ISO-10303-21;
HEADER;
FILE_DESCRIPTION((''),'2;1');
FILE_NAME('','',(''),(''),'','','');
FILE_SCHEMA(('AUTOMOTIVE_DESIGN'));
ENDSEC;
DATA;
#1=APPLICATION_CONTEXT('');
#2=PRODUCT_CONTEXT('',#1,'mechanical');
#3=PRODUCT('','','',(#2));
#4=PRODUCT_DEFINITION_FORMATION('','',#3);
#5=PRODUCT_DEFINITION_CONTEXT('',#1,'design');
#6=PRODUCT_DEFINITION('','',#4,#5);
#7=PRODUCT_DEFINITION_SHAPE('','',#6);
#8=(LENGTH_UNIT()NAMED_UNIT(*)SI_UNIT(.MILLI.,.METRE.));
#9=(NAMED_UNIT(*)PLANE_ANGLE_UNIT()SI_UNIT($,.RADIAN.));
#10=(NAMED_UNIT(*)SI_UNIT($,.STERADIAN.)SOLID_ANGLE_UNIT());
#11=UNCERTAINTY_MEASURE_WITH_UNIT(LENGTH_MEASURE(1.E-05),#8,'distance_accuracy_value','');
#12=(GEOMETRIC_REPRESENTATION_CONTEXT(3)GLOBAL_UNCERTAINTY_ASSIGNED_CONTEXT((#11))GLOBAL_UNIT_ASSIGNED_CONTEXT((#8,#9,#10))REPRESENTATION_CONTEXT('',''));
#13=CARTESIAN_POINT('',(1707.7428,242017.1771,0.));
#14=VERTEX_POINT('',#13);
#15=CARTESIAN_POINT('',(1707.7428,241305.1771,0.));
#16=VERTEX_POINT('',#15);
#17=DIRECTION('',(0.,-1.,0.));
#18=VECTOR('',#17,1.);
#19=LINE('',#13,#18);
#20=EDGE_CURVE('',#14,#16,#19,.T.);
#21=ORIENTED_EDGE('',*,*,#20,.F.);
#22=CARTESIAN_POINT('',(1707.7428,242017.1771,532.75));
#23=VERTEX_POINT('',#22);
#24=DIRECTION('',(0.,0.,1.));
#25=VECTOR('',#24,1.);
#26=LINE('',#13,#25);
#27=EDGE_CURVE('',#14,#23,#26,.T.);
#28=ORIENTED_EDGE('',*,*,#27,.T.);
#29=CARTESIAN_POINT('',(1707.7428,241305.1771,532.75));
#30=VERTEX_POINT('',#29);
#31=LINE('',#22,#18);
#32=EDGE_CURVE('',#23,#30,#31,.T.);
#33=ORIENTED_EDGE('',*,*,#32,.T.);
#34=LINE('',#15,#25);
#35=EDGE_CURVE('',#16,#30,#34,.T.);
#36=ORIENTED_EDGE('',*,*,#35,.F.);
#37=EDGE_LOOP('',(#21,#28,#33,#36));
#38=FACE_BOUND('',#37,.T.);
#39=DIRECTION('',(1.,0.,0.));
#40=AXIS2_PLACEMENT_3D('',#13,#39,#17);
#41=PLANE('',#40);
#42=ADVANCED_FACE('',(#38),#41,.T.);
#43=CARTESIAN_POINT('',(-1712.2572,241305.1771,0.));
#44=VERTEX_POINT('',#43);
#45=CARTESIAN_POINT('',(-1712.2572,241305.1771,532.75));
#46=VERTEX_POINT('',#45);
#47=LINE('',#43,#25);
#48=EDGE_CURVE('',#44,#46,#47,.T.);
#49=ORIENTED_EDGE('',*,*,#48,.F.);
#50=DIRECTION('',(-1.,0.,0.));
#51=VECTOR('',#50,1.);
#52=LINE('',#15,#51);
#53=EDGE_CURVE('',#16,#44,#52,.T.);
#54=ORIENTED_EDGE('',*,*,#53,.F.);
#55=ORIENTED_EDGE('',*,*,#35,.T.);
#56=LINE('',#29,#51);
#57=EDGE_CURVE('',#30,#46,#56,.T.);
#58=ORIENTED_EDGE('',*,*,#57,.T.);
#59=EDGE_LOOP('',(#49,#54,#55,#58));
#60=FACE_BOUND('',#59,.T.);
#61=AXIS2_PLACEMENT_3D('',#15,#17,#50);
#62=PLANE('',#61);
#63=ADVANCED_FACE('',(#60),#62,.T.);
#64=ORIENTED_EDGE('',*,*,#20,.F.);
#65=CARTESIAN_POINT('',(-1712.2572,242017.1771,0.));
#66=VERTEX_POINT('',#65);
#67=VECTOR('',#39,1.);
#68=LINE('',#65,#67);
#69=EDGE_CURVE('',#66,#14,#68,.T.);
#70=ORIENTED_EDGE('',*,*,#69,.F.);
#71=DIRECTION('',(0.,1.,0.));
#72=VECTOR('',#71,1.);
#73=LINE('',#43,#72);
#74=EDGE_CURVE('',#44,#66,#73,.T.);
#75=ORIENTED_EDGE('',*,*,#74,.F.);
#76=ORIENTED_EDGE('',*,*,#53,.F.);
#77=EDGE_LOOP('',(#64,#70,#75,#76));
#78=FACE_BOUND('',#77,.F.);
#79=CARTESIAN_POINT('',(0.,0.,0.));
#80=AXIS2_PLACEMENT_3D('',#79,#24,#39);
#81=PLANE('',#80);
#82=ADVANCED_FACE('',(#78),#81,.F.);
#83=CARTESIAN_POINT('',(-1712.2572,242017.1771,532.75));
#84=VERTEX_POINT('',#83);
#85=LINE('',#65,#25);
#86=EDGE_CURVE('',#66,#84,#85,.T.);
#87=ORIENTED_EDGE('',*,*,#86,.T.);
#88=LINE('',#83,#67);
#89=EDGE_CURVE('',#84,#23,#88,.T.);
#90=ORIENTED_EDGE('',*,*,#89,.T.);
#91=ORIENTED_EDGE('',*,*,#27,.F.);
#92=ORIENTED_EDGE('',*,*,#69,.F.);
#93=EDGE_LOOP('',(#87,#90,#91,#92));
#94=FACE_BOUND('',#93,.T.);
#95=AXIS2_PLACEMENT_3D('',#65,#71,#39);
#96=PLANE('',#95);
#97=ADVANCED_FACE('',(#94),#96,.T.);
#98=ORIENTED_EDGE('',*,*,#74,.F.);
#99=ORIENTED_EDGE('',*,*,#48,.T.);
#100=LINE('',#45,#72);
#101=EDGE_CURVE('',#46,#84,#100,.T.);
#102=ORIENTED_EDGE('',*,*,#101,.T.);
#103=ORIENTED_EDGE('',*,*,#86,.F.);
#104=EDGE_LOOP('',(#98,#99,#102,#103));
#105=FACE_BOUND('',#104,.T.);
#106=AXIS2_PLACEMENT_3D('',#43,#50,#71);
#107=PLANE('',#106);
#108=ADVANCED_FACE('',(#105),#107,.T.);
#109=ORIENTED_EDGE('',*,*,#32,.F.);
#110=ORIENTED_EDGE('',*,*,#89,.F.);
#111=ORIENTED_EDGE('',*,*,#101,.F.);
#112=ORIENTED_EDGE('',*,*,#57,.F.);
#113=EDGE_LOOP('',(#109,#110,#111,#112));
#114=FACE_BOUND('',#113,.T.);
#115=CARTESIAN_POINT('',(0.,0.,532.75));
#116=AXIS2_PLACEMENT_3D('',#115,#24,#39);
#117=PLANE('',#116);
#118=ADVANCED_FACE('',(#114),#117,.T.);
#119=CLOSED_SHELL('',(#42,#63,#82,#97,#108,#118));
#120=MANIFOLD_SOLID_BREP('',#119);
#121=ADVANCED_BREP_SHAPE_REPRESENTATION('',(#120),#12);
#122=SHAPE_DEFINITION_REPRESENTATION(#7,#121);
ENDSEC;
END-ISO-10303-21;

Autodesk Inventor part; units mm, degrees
ref_plane "Floor" through (0, 0, -1384.3) normal (0, 0, 1) x (1, 0, 0)
sketch "particles" plane through (0, 0, 0) normal (0, 0, 1) x (1, 0, 0)
  arc A0 (-19524.2026, 243365.6807) -> (-22776.2272, 242937.5935) centre (-9680.7789, 156022.4486) ccw
  arc A1 (-13807.3819, 243864.0227) -> (-16978.0813, 243652.624) centre (-13078.9412, 209054.5507) ccw
  arc A2 (11921.2114, 243903.412) -> (8969.1508, 243934.4) centre (8969.1508, 103305.42) ccw
  line L0 (-24861.8891, 242623.3482) -> (-22776.2272, 242937.5935)
  line L1 (-19524.2026, 243365.6807) -> (-16978.0813, 243652.624)
  arc A3 (16976.4822, 243652.7081) -> (13811.1004, 243863.731) centre (13080.2257, 209054.3101) ccw
  arc A4 (22786.6231, 242936.1085) -> (19515.9616, 243366.7278) centre (9679.8175, 156022.6756) ccw
  line L2 (16976.4822, 243652.7081) -> (19515.9616, 243366.7278)
  line L3 (15393.79, 243758.2) -> (15396.196, 243794.2906) construction
  line L4 (-15392.73, 243758.3) -> (-15395.1446, 243794.5157) construction
  line L5 (-21152.212, 243166.8082) -> (-21150.21, 243151.6) construction
  arc A5 (-8973.0365, 243934.4) -> (-11915.2657, 243903.6181) centre (-8973.0365, 103305.42) ccw
  line L6 (-11915.2657, 243903.6181) -> (-13807.3819, 243864.0227)
  line L7 (-8973.0365, 243934.4) -> (8969.1508, 243934.4)
  line L8 (22786.6231, 242936.1085) -> (24870.238, 242621.8932)
  line L9 (11921.2114, 243903.412) -> (13811.1004, 243863.731)
  line L10 (10445.2624, 243926.6528) -> (10445.18, 243918.8) construction
  line L11 (-10444.2316, 243926.7043) -> (-10444.15, 243918.9) construction
  line L12 (21153.3128, 243166.7637) -> (21151.29, 243151.4) construction
  line L13 (31299.4576, 241280.1593) -> (35040.3137, 240277.7766)
  arc A6 (31299.4576, 241280.1593) -> (24870.238, 242621.8932) centre (16131.5115, 184673.9281) ccw
  arc A7 (-24861.8891, 242623.3482) -> (-31301.0844, 241279.8288) centre (-16130.7349, 184674.2417) ccw
  line L14 (-39021.3143, 239211.1683) -> (-35039.2345, 240278.1795) construction
  line L15 (-28081.51, 241951.7) -> (-28100.3519, 242042.005) construction
  line L16 (28082.61, 241951.4) -> (28101.4362, 242041.6272) construction
  arc A8 (-39021.3143, 239211.1683) -> (-45263.6703, 237157.0456) centre (-23853.4838, 182604.9061) ccw construction
  line L17 (-42142.49, 238184.1) -> (-42171.3081, 238271.6764) construction
  line L18 (-45263.6703, 237157.0456) -> (-53973.0439, 233738.8604) construction
  arc A9 (45264.6776, 237156.6444) -> (39022.3653, 239210.7644) centre (23854.4192, 182604.5331) ccw construction
  line L19 (42172.337, 238271.2727) -> (42143.52, 238183.7) construction
  line L20 (45264.6776, 237156.6444) -> (53861.2746, 233782.7078) construction
  line L21 (-35039.24, 240278.2) -> (-35039.2345, 240278.1795) construction
  line L22 (-35039.2345, 240278.1795) -> (-35039.1899, 240278.0131) construction
  line L23 (-35039.2345, 240278.1795) -> (-31301.0844, 241279.8288)
  line L24 (35040.32, 240277.8) -> (35040.3137, 240277.7766) construction
  line L25 (35040.3137, 240277.7766) -> (39022.3653, 239210.7644) construction
  line L26 (-27217.9131, 242219.0632) -> (-27162.1286, 241951.7) construction
  point P0 (0, 0)
  point P1 (-24387.66, 242694.8)
  point P2 (-18831.03, 243443.8)
  point P3 (-12542.13, 243890.5)
  point P4 (-5285.354, 243934.4)
  point P5 (-241.1875, 243934.3)
  point P6 (233.8125, 243934.3)
  point P7 (-2.2572, 243934.3)
  point P8 (5300.592, 243934.3)
  point P9 (13007.68, 243880.6)
  point P10 (18375.14, 243495.2)
  point P11 (24388.77, 242694.5)
  point P12 (32432.33, 240976.6)
  point P13 (-32431.24, 240977)
  point P14 (-32431.24, 240977)
  point P15 (-24387.66, 242694.8)
  point P16 (-18831.03, 243443.8)
  point P17 (-12542.13, 243890.5)
  point P18 (-28540.5126, 241948.4018)
  point P19 (38556.11, 239335.7)
  point P20 (36139.07, 239983.4)
  point P21 (33941.58, 240572.2)
  point P22 (-33940.51, 240572.6)
  point P23 (-36137.98, 239983.7)
  point P24 (-38555.07, 239336.1)
  point P25 (48937.65, 235715.1)
  point P26 (-48936.66, 235715.5)
  dimension "B46W_y" = 241951.7
  dimension "Q46W_z" = 0
  dimension "d473" = 3280.0797
  dimension "d474" = 3288.9315
  dimension "d475" = 2952.2233
  dimension "d476" = 3172.408
  dimension "d477" = 3298.8876
  dimension "d482" = 2942.3902
  dimension "d513" = 34817.093
  dimension "d514" = 87896.15
  dimension "d515" = 140628.98
  dimension "d516" = 140628.98
  dimension "d517" = 34817.093
  dimension "d518" = 87896.15
  dimension "d523" = 58603.174
  dimension "d529" = 58603.174
  dimension "d535" = 92.2497
  dimension "d538" = 3288.9315
  dimension "d539" = 92.1704
  dimension "d635" = 58603.174
  dimension "d664" = 0.1935
  dimension "d669" = 900
  dimension "d671" = 450
sketch "Detector Steel Sketch" plane through (0, 0, 0) normal (0, 0, 1) x (1, 0, 0)
  line L0 (-1712.2572, 242017.1771) -> (1707.7428, 242017.1771)
  line L1 (1707.7428, 242017.1771) -> (1707.7428, 241305.1771)
  line L2 (1707.7428, 241305.1771) -> (-1712.2572, 241305.1771)
  line L3 (-1712.2572, 241305.1771) -> (-1712.2572, 242017.1771)
  line L4 (-2.2572, 243934.3) -> (-2.2572, 243272.085) construction
  point P0 (0, 0)
  point P1 (-1712.2572, 242118.2)
  point P2 (1707.7428, 242118.2)
  dimension "d550" = 1917.1229
  dimension "d569" = 3420
  dimension "d570" = 712
  dimension "d586" = 1816.1
  dimension "d587" = 101.0229
extrude "Detector Steel" add sketch "Detector Steel Sketch" along normal blind 532.75
sketch "extraction path" plane through (0, 0, 0) normal (0, 0, 1) x (1, 0, 0)
  line L0 (-28555.0758, 242015.6147) -> (-25555.0758, 242015.6147)
  line L1 (-28081.51, 241951.7) -> (-28100.3519, 242042.005) construction
  line L2 (28082.61, 241951.4) -> (28101.4362, 242041.6272) construction
  line L3 (28554.696, 242015.6147) -> (25554.696, 242015.6147)
  line L4 (-35039.24, 240278.2) -> (-28555.0758, 242015.6147)
  line L5 (-28540.5126, 241948.4018) -> (-28548.2297, 241984.0185) construction
  arc A0 (-24861.8891, 242623.3482) -> (-31301.0844, 241279.8288) centre (-16130.7349, 184674.2417) ccw construction
  arc A1 (31299.4576, 241280.1593) -> (24870.238, 242621.8932) centre (16131.5115, 184673.9281) ccw construction
  line L6 (28554.696, 242015.6147) -> (35040.32, 240277.8)
  line L7 (-25555.0758, 242015.6147) -> (-1712.2572, 242118.2) construction
  line L8 (1707.7428, 242118.2) -> (25554.696, 242015.6147) construction
  line L9 (-28645.0743, 242003.7661) -> (-28462.5976, 242027.7897) construction
  line L10 (-28645.0743, 242003.7661) -> (-35039.24, 240278.2) construction
  line L11 (-35039.24, 240278.2) -> (-28462.5976, 242027.7897) construction
  line L12 (-28555.0758, 242015.6147) -> (-28574.0241, 242159.5416) construction
  line L13 (-25555.0758, 242015.6147) -> (-25555.0758, 242044.1016) construction
  line L14 (-28645.0743, 242003.7661) -> (-25555.0758, 241998.2381) construction
  line L15 (-28462.5976, 242027.7897) -> (-25555.0758, 242032.9912) construction
  point P0 (0, 0)
  dimension "B46W_y" = 241951.7
  dimension "d544" = 3000
  dimension "d566" = 3000
  dimension "d567" = 68.7725
  dimension "d580" = 6714.4113
  dimension "d581" = 6712.8977
  dimension "d639" = 0.205
  dimension "d640" = 0.103
  dimension "d641" = 184.0514
  dimension "d642" = 23.6967
  dimension "d643" = 7.5
  dimension "d656" = 0.247
  dimension "d665" = 0.205
  dimension "d666" = 0.103
  dimension "d667" = 34.7531
ref_plane "West Path Plane" through (-25555.0758, 242015.6147, 0) normal (0.0043, -1, 0) x (1, 0.0043, 0)
ref_plane "East Path Plane" through (1707.7428, 242118.2, 0) normal (-0.0043, -1, 0) x (1, -0.0043, 0)
sketch "West Path" plane through (-25555.0758, 242015.6147, 0) normal (0.0043, -1, 0) x (1, 0.0043, 0)
  line L0 (0, 0) -> (3979.9497, 400)
  line L1 (3979.9497, 400) -> (23843.0392, 400)
  line L2 (3979.9497, 400) -> (3978.4479, 429.9609) construction
  line L3 (3978.4479, 429.9609) -> (3955.0751, 397.5) construction
  line L4 (3978.4479, 429.9609) -> (4004.9497, 400) construction
  line L5 (3979.9497, 400) -> (4003.8883, 401.1999) construction
  point P0 (24513.5604, 0)
  point P1 (0, 0)
  point P2 (23843.0392, 0)
  dimension "d574" = 5.739
  dimension "d576" = 400
  dimension "d582" = 4000
  dimension "d583" = 19863.0895
  dimension "d678" = 25
  dimension "d679" = 25
  dimension "d683" = 40
sketch "East Path" plane through (1707.7428, 242118.2, 0) normal (-0.0043, -1, 0) x (1, -0.0043, 0)
  line L0 (23847.1738, 0) -> (19867.2241, 400)
  line L1 (19867.2241, 400) -> (0, 400)
  line L2 (19867.2241, 400) -> (19869.0357, 436.1406) construction
  line L3 (19869.0357, 436.1406) -> (19892.0988, 397.5) construction
  line L4 (19842.2241, 400) -> (19869.0357, 436.1406) construction
  line L5 (19867.2241, 400) -> (19891.3278, 398.7918) construction
  point P0 (0, 0)
  point P1 (-3419.9684, 400)
  dimension "d577" = 5.739
  dimension "d578" = 4000
  dimension "d579" = 19867.2241
  dimension "d684" = 25
  dimension "d685" = 25
  dimension "d686" = 45
ref_plane "Amplifier Plane" through (-1712.2572, 242118.2, 400) normal (0, 0, 1) x (1, 0, 0)
sketch "Amplifier Sketch" plane through (-1712.2572, 242118.2, 400) normal (0, 0, 1) x (1, 0, 0)
  line L0 (0, 0) -> (3420, 0)
  line L1 (1196.5296, -13.4704) -> (1223.4704, 13.4704) construction
  line L2 (1210, 0) -> (1210, 100) construction
  line L3 (1223.4704, 113.4704) -> (1196.5296, 86.5296) construction
  line L4 (1210, 100) -> (2210, 100) construction
  line L5 (2196.5296, 113.4704) -> (2223.4704, 86.5296) construction
  line L6 (2196.5296, 13.4704) -> (2223.4704, -13.4704) construction
  line L7 (2210, 100) -> (2210, 0) construction
  point P0 (1712.2572, -242118.2)
  point P1 (1710, 100)
  point P2 (1710, 0)
  dimension "d584" = 3420
  dimension "d674" = 45
  dimension "d675" = 100
  dimension "d676" = 38.1
  dimension "d677" = 1000
sketch "total path length curve" plane through (0, 0, 0) normal (0, 0, 1) x (1, 0, 0)
  line L0 (-35291.0685, 241267.4477) -> (35286.554, 241267.4477)
  point P0 (0, 0)
  point P1 (-2.2572, 243934.3)
  point P2 (-2.2572, 241267.4477)
  dimension "d585" = 70577.6226
ref_plane "M46E02 sketch plane" through (25554.696, 242015.6147, 0) normal (0, -0.9991, 0.0428) x (-0.995, 0.0043, 0.1)
sketch "M46E02 sketch" plane through (25554.696, 242015.6147, 0) normal (0, -0.9991, 0.0428) x (-0.995, 0.0043, 0.1)
  line L0 (0, 0) -> (1.6287, -32.462) construction
  line L1 (0, 0) -> (4000, 0) construction
  line L2 (-2984.9347, -300.2747) -> (0, 0) construction
  line L3 (1.6287, -32.462) -> (25, 0) construction
  line L4 (1.6287, -32.462) -> (-24.8745, -2.5023) construction
  line L5 (0, 0) -> (-32.462, -1.6287) construction
  point P0 (24390.4864, 12855.1593)
  dimension "d693" = 25
  dimension "d694" = 25
  dimension "d695" = 40
ref_plane "M46W02 sketch plane" through (-28555.0758, 242015.6147, 0) normal (0, -0.9991, 0.0428) x (1, 0, 0)
sketch "M46W02 sketch" plane through (-28555.0758, 242015.6147, 0) normal (0, -0.9991, 0.0428) x (1, 0, 0)
  line L0 (0, 0) -> (3000, 0) construction
  line L1 (3000, 0) -> (6979.9129, 400.3664) construction
  line L2 (3000, 0) -> (2998.0613, 38.6417) construction
  line L3 (2998.0613, 38.6417) -> (2975, 0) construction
  line L4 (2998.0613, 38.6417) -> (3024.8745, 2.5023) construction
  line L5 (3000, 0) -> (3038.6417, 1.9387) construction
  point P0 (28555.0758, -10351.1132)
  dimension "d702" = 25
  dimension "d703" = 25
  dimension "d704" = 45
equation "\"B46W_y\" = 241951.7"
equation "\"Q46W_z\" = 0"
equation "\"IPx\" = 0"
equation "\"IPy\" = 0"
equation "\"IPz\" = 0"
equation "\"IPax\" = 0"
equation "\"IPay\" = 0"
equation "\"IPaz\" = 0"
equation "\"OSC_PICKUP_1_x\" = -36137.98"
equation "\"OSC_PICKUP_1_y\" = 239983.7"
equation "\"OSC_PICKUP_1_z\" = 0"
equation "\"OSC_PICKUP_1_ax\" = 0"
equation "\"OSC_PICKUP_1_ay\" = 0"
equation "\"OSC_PICKUP_1_az\" = 344.999698deg"
equation "\"P_MARK_x\" = -35039.24"
equation "\"P_MARK_y\" = 240278.2"
equation "\"P_MARK_z\" = 0"
equation "\"P_MARK_ax\" = 0"
equation "\"P_MARK_ay\" = 0"
equation "\"P_MARK_az\" = 344.999698deg"
equation "\"OSC_START_x\" = -35039.24"
equation "\"OSC_START_y\" = 240278.2"
equation "\"OSC_START_z\" = 0"
equation "\"OSC_START_ax\" = 0"
equation "\"OSC_START_ay\" = 0"
equation "\"OSC_START_az\" = 344.999698deg"
equation "\"OSC_PICKUP_2_x\" = -33940.51"
equation "\"OSC_PICKUP_2_y\" = 240572.6"
equation "\"OSC_PICKUP_2_z\" = 0"
equation "\"OSC_PICKUP_2_ax\" = 0"
equation "\"OSC_PICKUP_2_ay\" = 0"
equation "\"OSC_PICKUP_2_az\" = 344.999698deg"
equation "\"DET_45W_x\" = -32779.36"
equation "\"DET_45W_y\" = 240883.7"
equation "\"DET_45W_z\" = 0"
equation "\"DET_45W_ax\" = 0"
equation "\"DET_45W_ay\" = 0"
equation "\"DET_45W_az\" = 344.999698deg"
equation "\"Q45W_x\" = -32431.24"
equation "\"Q45W_y\" = 240977"
equation "\"Q45W_z\" = 0"
equation "\"Q45W_ax\" = 0"
equation "\"Q45W_ay\" = 0"
equation "\"Q45W_az\" = 344.999698deg"
equation "\"SEX_45W_x\" = -31947.79"
equation "\"SEX_45W_y\" = 241106.4"
equation "\"SEX_45W_z\" = 0"
equation "\"SEX_45W_ax\" = 0"
equation "\"SEX_45W_ay\" = 0"
equation "\"SEX_45W_az\" = 344.999698deg"
equation "\"B46W_x\" = -28081.51"
equation "\"B46W_z\" = 0"
equation "\"B46W_ax\" = 0"
equation "\"B46W_ay\" = 0"
equation "\"B46W_az\" = 348.213992deg"
equation "\"Q46W_x\" = -24387.66"
equation "\"Q46W_y\" = 242694.8"
equation "\"Q46W_ax\" = 0"
equation "\"Q46W_ay\" = 0"
equation "\"Q46W_az\" = 351.428285deg"
equation "\"DET_46W_x\" = -24014.47"
equation "\"DET_46W_y\" = 242751"
equation "\"DET_46W_z\" = 0"
equation "\"DET_46W_ax\" = 0"
equation "\"DET_46W_ay\" = 0"
equation "\"DET_46W_az\" = 351.428285deg"
equation "\"B47W_x\" = -21150.21"
equation "\"B47W_y\" = 243151.6"
equation "\"B47W_z\" = 0"
equation "\"B47W_ax\" = 0"
equation "\"B47W_ay\" = 0"
equation "\"B47W_az\" = 352.499773deg"
equation "\"DET_47W_x\" = -19175.25"
equation "\"DET_47W_y\" = 243405"
equation "\"DET_47W_z\" = 0"
equation "\"DET_47W_ax\" = 0"
equation "\"DET_47W_ay\" = 0"
equation "\"DET_47W_az\" = 353.571204deg"
equation "\"Q47W_x\" = -18831.03"
equation "\"Q47W_y\" = 243443.8"
equation "\"Q47W_z\" = 0"
equation "\"Q47W_ax\" = 0"
equation "\"Q47W_ay\" = 0"
equation "\"Q47W_az\" = 353.571204deg"
equation "\"SEX_47W_x\" = -18316.39"
equation "\"SEX_47W_y\" = 243501.8"
equation "\"SEX_47W_z\" = 0"
equation "\"SEX_47W_ax\" = 0"
equation "\"SEX_47W_ay\" = 0"
equation "\"SEX_47W_az\" = 353.571204deg"
equation "\"B47AW_x\" = -15392.73"
equation "\"B47AW_y\" = 243758.3"
equation "\"B47AW_z\" = 0"
equation "\"B47AW_ax\" = 0"
equation "\"B47AW_ay\" = 0"
equation "\"B47AW_az\" = 356.185439deg"
equation "\"DET_I47AW_x\" = -13007.03"
equation "\"DET_I47AW_y\" = 243880.8"
equation "\"DET_I47AW_z\" = 0"
equation "\"DET_I47AW_ax\" = 0"
equation "\"DET_I47AW_ay\" = 0"
equation "\"DET_I47AW_az\" = 358.799731deg"
equation "\"Q47AW_x\" = -12542.13"
equation "\"Q47AW_y\" = 243890.5"
equation "\"Q47AW_z\" = 0"
equation "\"Q47AW_ax\" = 0"
equation "\"Q47AW_ay\" = 0"
equation "\"Q47AW_az\" = 358.799731deg"
equation "\"B48W_x\" = -10444.15"
equation "\"B48W_y\" = 243918.9"
equation "\"B48W_z\" = 0"
equation "\"B48W_ax\" = 0"
equation "\"B48W_ay\" = 0"
equation "\"B48W_az\" = 359.399732deg"
equation "\"DET_I48W_x\" = -8261.196"
properties part number "6084-000 Lattice OSC, cesr"
